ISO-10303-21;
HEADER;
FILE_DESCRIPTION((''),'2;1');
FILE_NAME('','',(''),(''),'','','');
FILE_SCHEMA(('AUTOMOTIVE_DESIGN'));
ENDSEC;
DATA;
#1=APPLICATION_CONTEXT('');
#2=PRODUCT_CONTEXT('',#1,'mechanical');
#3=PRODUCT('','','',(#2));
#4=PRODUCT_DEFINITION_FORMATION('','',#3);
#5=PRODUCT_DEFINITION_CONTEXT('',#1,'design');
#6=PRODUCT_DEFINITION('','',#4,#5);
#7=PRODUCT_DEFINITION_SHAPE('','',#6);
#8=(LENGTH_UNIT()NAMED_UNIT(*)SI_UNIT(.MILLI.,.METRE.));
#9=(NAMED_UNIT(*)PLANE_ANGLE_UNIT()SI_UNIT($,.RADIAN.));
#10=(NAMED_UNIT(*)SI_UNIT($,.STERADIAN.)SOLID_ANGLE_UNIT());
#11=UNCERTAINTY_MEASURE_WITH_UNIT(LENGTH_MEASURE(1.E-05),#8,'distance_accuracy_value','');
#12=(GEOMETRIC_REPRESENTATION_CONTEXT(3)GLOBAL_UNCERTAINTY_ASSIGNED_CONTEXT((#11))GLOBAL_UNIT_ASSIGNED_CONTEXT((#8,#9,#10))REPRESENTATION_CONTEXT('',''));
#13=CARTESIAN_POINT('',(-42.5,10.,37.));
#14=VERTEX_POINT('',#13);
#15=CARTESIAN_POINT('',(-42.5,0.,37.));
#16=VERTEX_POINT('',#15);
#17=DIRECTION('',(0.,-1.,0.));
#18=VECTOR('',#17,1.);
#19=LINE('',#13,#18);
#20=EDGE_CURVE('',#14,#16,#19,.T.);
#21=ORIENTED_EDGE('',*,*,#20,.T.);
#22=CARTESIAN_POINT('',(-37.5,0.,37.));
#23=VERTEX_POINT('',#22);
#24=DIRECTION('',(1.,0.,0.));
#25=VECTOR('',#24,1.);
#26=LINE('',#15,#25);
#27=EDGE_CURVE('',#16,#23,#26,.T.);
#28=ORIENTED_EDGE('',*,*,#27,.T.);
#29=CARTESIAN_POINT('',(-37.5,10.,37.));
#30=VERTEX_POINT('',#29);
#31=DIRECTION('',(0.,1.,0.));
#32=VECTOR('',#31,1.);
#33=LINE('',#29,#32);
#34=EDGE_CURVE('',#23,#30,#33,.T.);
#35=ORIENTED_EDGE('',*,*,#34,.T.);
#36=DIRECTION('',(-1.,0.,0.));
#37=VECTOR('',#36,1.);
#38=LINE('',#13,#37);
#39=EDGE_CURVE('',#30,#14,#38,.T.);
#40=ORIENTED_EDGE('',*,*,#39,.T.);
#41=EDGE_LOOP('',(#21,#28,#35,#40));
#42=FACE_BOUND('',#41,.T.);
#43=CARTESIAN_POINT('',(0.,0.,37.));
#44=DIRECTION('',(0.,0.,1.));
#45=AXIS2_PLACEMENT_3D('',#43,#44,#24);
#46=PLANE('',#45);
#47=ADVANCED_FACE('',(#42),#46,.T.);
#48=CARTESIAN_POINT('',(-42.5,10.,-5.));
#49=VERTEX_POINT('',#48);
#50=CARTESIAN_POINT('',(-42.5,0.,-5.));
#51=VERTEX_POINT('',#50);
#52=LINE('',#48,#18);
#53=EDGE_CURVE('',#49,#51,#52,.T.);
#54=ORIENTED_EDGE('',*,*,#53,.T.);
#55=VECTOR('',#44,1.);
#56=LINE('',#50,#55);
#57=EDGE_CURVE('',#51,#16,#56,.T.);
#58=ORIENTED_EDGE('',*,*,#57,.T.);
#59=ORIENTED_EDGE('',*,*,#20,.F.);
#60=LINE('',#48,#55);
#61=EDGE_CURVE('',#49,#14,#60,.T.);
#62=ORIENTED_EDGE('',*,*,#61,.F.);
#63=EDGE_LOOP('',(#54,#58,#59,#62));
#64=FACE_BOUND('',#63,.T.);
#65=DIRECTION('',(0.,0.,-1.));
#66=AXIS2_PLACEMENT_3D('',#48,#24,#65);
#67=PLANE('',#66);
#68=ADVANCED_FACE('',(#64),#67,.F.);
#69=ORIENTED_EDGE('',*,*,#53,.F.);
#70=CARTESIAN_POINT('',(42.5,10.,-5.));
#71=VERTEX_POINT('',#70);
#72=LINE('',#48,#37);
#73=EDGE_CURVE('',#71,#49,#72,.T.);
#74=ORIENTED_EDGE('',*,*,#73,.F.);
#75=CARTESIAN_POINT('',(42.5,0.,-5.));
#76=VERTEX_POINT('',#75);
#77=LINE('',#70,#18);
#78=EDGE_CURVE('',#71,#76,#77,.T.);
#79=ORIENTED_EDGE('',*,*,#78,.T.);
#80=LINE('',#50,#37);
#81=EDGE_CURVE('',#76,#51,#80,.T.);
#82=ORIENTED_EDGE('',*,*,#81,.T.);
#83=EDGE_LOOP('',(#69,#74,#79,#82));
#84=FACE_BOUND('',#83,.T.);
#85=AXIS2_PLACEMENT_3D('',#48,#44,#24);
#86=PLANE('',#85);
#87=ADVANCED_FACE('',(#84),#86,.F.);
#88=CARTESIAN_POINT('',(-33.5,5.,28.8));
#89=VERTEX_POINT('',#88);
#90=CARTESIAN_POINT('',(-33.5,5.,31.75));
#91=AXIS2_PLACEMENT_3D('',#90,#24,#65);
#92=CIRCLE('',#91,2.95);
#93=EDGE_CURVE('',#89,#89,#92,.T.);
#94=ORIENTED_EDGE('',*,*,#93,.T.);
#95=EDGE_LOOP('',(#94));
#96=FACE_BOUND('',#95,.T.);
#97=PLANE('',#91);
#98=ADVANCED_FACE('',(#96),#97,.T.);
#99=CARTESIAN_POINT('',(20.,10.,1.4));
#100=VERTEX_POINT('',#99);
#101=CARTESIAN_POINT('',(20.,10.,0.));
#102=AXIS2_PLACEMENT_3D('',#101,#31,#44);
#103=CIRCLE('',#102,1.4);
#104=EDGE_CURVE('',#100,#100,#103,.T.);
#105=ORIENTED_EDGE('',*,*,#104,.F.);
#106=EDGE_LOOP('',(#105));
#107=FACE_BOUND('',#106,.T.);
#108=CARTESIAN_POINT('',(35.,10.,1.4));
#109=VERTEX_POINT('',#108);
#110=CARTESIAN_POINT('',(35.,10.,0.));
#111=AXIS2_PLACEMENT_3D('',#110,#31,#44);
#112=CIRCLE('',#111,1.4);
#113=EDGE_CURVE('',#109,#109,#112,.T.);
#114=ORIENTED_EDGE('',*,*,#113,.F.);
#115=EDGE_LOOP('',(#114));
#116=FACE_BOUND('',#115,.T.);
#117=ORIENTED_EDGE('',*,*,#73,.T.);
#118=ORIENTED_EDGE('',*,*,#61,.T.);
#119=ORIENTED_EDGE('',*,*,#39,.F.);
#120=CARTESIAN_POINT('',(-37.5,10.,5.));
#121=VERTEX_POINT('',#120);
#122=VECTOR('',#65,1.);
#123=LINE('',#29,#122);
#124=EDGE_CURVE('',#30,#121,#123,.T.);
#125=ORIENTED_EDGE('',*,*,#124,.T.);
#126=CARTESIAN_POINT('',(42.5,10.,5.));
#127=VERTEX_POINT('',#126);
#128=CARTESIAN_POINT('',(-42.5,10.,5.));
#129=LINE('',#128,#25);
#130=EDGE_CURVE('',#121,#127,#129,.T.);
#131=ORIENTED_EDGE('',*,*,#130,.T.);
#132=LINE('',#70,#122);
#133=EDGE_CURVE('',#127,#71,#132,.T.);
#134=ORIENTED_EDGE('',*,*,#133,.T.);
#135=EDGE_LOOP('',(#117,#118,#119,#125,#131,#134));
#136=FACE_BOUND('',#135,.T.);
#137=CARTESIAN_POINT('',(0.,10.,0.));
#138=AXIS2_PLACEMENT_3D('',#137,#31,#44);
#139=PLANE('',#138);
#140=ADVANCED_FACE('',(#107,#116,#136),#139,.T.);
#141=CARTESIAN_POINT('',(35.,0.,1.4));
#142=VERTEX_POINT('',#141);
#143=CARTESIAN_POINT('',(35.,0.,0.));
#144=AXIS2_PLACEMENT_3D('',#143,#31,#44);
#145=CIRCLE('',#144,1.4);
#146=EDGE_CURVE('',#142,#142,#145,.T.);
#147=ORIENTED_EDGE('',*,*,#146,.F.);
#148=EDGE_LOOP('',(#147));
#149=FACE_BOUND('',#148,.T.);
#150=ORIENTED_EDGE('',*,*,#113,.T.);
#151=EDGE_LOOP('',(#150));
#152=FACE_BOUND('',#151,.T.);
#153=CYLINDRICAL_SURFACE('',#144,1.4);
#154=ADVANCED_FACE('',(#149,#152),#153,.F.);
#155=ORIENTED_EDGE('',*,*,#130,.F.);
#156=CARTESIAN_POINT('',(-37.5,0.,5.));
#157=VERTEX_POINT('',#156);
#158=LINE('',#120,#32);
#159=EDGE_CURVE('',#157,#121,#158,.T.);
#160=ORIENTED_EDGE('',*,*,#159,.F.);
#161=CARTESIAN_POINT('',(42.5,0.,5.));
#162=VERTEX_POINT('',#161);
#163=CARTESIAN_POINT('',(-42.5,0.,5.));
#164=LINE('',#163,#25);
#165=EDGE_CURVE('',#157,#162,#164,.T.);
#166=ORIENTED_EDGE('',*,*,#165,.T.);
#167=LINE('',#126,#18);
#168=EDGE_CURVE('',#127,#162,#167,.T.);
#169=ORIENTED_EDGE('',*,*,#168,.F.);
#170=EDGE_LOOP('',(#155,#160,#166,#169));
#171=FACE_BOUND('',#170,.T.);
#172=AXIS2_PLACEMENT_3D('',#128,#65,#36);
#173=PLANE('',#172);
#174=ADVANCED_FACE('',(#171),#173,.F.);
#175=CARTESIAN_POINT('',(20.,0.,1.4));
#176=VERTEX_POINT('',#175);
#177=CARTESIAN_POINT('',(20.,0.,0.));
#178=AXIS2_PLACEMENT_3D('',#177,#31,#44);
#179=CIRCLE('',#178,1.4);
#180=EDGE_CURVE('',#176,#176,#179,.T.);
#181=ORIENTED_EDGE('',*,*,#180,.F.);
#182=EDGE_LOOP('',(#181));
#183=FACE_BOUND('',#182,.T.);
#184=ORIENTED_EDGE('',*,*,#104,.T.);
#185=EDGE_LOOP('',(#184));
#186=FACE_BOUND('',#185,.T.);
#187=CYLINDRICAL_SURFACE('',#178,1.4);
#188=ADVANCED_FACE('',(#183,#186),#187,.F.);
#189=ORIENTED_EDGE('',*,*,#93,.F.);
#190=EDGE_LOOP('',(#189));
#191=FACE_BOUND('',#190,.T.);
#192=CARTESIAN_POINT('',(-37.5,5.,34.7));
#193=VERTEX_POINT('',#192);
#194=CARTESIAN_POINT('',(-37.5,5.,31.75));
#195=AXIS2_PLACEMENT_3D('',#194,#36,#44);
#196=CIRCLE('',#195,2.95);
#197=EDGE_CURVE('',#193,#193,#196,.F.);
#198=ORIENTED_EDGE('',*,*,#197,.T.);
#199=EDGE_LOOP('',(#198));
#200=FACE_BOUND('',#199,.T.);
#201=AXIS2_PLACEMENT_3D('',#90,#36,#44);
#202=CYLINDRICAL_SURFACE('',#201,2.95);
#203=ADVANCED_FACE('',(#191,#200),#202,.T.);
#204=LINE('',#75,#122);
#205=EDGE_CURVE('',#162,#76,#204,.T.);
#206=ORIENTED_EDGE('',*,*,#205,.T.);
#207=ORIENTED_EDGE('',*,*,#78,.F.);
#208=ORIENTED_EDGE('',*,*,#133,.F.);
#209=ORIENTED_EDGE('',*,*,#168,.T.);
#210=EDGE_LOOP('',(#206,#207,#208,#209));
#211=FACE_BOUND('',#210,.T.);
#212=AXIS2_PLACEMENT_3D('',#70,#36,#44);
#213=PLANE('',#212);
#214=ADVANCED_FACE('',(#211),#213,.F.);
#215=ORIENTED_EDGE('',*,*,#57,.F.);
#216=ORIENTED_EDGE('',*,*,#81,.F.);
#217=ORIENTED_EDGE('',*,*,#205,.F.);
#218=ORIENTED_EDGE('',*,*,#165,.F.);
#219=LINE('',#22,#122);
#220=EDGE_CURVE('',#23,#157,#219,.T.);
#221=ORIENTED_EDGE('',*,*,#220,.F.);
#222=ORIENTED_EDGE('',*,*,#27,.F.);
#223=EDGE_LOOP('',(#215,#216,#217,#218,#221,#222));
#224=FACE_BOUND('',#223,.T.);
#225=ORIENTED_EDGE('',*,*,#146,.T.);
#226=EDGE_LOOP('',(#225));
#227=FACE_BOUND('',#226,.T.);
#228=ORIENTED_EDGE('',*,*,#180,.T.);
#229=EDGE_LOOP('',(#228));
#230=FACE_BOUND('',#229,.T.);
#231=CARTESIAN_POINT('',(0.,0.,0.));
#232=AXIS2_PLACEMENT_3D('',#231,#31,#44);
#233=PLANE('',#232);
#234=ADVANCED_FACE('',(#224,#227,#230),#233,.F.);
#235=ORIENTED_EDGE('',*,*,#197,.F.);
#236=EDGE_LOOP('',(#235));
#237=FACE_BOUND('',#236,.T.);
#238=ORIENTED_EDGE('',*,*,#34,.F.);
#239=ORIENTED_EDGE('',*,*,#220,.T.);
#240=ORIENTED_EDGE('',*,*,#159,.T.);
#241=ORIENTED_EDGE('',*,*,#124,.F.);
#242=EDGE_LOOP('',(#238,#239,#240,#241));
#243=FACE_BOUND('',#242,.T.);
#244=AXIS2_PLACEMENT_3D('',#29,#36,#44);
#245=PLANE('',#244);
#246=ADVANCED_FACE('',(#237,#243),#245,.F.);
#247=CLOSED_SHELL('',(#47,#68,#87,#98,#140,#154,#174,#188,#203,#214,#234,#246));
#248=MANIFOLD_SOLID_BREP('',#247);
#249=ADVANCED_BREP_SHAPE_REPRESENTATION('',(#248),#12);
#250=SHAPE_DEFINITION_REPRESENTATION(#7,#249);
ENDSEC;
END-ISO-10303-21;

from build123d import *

# Parameters (mm, degrees)
SKETCH1_W           = 85
SKETCH1_H           = 10
BOSS_EXTRUDE1_DEPTH = 10
SKETCH2_R           = 1.4
CUT_EXTRUDE1_DEPTH  = 10
SKETCH3_W           = 5
SKETCH3_H           = 10
BOSS_EXTRUDE2_DEPTH = 32
SKETCH4_R           = 2.95
BOSS_EXTRUDE3_DEPTH = 4


with BuildPart() as part:
    # Sketch1 → Boss-Extrude1 (new body)
    with BuildSketch(Plane(origin=(0, 0, 0), x_dir=(1, 0, 0), z_dir=(0, 1, 0))):
        Rectangle(SKETCH1_W, SKETCH1_H)
    extrude(amount=BOSS_EXTRUDE1_DEPTH)

    # Sketch2 → Cut-Extrude1 (cut)
    with BuildSketch(Plane(origin=(0, 10, 0), x_dir=(1, 0, 0), z_dir=(0, 1, 0))):
        with Locations(Location((35, 0, 0), (0, 0, 270))):
            Circle(SKETCH2_R)
        with Locations(Location((20, 0, 0), (0, 0, 270))):
            Circle(SKETCH2_R)
    extrude(amount=-CUT_EXTRUDE1_DEPTH, mode=Mode.SUBTRACT)

    # Sketch3 → Boss-Extrude2 (add)
    with BuildSketch(Plane.XY.offset(5)):
        with Locations((-40, 5)):
            Rectangle(SKETCH3_W, SKETCH3_H)
    extrude(amount=BOSS_EXTRUDE2_DEPTH)

    # Sketch4 → Boss-Extrude3 (add)
    with BuildSketch(Plane(origin=(-37.5, 0, 0), x_dir=(0, 0, -1), z_dir=(1, 0, 0))):
        with Locations(Location((-31.75, 5, 0), (0, 0, 180))):
            Circle(SKETCH4_R)
    extrude(amount=BOSS_EXTRUDE3_DEPTH)


solid = part.part
